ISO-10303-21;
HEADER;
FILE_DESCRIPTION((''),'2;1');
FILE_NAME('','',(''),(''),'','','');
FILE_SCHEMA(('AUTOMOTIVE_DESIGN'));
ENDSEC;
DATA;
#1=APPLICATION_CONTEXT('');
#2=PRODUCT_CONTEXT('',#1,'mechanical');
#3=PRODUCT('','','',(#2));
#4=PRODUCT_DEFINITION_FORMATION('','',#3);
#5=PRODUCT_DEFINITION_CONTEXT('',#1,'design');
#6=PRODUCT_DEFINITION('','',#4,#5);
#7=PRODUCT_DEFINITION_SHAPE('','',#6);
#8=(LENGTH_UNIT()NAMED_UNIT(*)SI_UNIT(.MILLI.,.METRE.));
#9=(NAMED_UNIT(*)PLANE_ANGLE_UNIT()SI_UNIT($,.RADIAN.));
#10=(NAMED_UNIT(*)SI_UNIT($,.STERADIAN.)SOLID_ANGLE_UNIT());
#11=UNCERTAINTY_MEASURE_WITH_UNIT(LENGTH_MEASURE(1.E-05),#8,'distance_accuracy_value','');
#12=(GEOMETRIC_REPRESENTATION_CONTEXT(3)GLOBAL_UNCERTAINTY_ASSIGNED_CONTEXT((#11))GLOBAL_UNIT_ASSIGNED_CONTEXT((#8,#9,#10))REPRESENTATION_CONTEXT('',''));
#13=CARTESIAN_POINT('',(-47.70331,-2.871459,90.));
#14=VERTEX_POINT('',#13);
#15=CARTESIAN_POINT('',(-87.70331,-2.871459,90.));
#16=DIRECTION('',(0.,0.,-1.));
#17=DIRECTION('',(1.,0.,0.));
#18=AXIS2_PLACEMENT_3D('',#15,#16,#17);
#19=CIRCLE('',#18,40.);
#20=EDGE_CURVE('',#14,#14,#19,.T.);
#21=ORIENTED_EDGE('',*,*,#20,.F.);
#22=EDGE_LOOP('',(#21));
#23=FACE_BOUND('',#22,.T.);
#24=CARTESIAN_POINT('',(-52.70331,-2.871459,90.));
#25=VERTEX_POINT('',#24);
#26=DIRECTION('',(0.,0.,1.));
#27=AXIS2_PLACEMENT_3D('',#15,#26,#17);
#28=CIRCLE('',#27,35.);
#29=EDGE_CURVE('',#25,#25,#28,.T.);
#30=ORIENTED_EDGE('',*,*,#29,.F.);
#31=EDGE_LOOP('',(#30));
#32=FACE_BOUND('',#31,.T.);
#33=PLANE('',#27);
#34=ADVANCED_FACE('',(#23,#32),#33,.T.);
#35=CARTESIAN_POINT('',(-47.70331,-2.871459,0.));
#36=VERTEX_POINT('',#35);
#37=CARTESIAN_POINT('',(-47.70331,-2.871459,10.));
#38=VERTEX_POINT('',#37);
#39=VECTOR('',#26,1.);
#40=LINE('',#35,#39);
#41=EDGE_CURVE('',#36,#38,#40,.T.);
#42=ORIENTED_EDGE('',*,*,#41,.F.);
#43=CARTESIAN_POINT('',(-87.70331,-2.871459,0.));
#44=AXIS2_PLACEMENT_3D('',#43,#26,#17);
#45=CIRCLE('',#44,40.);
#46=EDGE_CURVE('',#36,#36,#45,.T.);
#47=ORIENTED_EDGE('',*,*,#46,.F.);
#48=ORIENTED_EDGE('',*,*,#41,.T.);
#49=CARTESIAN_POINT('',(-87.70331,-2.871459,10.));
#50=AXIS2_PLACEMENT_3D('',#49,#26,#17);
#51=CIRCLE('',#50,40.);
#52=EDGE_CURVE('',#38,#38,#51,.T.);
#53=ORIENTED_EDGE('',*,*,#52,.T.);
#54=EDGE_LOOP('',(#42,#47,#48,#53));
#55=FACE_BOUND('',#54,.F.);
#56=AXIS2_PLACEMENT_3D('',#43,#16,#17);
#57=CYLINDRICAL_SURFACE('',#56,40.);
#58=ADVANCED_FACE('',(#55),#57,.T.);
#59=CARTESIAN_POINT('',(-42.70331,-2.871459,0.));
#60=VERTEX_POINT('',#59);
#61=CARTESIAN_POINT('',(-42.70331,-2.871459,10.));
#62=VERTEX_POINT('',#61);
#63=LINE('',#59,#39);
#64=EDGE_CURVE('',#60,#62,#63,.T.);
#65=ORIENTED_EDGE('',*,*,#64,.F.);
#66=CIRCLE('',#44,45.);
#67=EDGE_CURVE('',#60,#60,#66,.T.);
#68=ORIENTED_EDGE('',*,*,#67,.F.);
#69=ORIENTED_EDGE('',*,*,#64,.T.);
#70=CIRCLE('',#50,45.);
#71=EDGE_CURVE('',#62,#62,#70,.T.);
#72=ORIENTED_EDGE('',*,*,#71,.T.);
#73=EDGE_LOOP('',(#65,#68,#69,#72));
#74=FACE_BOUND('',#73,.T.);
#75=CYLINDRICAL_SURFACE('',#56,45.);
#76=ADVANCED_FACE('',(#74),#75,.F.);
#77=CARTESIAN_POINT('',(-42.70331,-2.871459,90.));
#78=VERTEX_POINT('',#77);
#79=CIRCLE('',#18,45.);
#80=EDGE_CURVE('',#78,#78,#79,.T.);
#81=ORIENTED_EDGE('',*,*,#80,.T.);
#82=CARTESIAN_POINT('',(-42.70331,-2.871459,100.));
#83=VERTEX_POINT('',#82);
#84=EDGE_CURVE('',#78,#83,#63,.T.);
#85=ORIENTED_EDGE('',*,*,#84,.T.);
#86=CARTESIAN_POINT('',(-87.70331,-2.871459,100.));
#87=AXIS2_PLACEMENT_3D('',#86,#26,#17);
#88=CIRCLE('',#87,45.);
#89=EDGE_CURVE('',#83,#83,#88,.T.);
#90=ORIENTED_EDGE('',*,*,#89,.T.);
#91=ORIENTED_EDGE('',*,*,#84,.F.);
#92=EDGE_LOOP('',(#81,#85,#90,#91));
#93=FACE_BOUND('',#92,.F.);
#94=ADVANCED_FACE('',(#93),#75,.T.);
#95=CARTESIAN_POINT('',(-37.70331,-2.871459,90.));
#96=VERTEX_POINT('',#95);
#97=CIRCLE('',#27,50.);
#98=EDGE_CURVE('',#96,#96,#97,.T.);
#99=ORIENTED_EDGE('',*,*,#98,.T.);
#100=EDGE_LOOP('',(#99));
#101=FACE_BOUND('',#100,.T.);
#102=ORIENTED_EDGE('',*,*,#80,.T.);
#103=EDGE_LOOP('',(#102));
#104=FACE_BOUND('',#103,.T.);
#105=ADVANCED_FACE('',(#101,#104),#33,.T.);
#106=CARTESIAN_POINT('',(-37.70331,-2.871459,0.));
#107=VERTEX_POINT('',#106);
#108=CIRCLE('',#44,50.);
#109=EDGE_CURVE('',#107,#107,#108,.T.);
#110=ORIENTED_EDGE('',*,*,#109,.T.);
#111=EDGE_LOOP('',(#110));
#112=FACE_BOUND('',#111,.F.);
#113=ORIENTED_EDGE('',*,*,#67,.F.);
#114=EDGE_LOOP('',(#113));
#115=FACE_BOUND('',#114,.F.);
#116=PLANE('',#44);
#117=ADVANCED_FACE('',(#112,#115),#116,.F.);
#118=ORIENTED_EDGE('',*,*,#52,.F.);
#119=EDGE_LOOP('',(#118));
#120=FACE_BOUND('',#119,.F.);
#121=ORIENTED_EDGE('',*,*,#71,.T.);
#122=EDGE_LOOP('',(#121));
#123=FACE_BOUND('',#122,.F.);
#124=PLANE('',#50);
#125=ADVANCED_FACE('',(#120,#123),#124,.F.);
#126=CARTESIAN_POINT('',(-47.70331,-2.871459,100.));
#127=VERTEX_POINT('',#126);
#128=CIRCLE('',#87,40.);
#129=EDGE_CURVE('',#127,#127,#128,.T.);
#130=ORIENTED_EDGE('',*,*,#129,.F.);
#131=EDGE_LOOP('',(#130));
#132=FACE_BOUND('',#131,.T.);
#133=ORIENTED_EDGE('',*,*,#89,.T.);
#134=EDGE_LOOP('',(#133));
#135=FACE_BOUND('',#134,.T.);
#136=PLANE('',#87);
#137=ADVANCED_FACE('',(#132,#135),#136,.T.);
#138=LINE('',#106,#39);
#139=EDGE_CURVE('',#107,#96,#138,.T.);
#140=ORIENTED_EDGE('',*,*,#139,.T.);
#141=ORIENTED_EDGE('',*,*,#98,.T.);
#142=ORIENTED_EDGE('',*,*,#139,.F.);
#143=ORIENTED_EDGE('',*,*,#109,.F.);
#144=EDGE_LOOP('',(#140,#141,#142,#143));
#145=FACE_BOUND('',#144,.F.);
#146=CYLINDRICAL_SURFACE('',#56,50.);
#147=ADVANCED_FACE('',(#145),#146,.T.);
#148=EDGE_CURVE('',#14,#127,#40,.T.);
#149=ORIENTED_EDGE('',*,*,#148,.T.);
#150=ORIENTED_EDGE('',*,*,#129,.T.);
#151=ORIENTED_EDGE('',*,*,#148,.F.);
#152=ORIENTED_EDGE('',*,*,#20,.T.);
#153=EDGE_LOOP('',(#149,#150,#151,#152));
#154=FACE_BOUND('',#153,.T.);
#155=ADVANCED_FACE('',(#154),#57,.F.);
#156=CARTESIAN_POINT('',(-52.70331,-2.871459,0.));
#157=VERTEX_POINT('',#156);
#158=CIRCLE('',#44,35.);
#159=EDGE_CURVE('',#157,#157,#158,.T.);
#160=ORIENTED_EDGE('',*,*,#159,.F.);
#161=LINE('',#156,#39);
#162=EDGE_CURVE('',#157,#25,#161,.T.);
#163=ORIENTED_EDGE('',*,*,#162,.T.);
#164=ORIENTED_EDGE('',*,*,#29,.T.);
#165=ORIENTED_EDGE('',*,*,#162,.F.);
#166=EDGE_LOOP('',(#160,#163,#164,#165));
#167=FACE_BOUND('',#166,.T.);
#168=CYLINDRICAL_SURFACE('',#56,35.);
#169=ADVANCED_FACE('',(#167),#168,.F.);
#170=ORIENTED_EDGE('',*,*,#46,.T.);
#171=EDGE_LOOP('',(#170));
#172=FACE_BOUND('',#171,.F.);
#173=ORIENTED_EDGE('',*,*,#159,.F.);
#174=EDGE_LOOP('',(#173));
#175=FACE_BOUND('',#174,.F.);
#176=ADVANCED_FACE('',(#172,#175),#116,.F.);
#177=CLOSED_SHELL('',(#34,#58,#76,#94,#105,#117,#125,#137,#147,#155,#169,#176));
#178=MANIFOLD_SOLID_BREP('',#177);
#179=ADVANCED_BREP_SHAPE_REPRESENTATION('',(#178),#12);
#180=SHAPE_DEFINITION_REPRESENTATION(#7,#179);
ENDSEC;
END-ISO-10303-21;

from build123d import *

# Parameters (mm, degrees)
F0_R     = 50
F0_R_2   = 45
F0_R_3   = 40
F0_R_4   = 35
F1_DEPTH = 90
F2_DEPTH = 100
F3_DEPTH = 10


with BuildPart() as f1:
    # F0 (on Top) → F1 (new body)
    with BuildSketch(Plane.XY):
        with Locations((-87.7033099532, -2.8714591172)):
            Circle(F0_R)
        with Locations((-87.7033099532, -2.8714591172)):
            Circle(F0_R_2, mode=Mode.SUBTRACT)
        with Locations((-87.7033099532, -2.8714591172)):
            Circle(F0_R_2)
        with Locations((-87.7033099532, -2.8714591172)):
            Circle(F0_R_3, mode=Mode.SUBTRACT)
        with Locations((-87.7033099532, -2.8714591172)):
            Circle(F0_R_3)
        with Locations((-87.7033099532, -2.8714591172)):
            Circle(F0_R_4, mode=Mode.SUBTRACT)
    extrude(amount=F1_DEPTH)

    # F0 (on Top) → F2 (join)
    with BuildSketch(Plane.XY):
        with Locations((-87.7033099532, -2.8714591172)):
            Circle(F0_R_2)
        with Locations((-87.7033099532, -2.8714591172)):
            Circle(F0_R_3, mode=Mode.SUBTRACT)
    extrude(amount=F2_DEPTH)

    # F0 (on Top) → F3 (cut)
    with BuildSketch(Plane.XY):
        with Locations((-87.7033099532, -2.8714591172)):
            Circle(F0_R_2)
        with Locations((-87.7033099532, -2.8714591172)):
            Circle(F0_R_3, mode=Mode.SUBTRACT)
    extrude(amount=F3_DEPTH, mode=Mode.SUBTRACT)


solid = f1.part
